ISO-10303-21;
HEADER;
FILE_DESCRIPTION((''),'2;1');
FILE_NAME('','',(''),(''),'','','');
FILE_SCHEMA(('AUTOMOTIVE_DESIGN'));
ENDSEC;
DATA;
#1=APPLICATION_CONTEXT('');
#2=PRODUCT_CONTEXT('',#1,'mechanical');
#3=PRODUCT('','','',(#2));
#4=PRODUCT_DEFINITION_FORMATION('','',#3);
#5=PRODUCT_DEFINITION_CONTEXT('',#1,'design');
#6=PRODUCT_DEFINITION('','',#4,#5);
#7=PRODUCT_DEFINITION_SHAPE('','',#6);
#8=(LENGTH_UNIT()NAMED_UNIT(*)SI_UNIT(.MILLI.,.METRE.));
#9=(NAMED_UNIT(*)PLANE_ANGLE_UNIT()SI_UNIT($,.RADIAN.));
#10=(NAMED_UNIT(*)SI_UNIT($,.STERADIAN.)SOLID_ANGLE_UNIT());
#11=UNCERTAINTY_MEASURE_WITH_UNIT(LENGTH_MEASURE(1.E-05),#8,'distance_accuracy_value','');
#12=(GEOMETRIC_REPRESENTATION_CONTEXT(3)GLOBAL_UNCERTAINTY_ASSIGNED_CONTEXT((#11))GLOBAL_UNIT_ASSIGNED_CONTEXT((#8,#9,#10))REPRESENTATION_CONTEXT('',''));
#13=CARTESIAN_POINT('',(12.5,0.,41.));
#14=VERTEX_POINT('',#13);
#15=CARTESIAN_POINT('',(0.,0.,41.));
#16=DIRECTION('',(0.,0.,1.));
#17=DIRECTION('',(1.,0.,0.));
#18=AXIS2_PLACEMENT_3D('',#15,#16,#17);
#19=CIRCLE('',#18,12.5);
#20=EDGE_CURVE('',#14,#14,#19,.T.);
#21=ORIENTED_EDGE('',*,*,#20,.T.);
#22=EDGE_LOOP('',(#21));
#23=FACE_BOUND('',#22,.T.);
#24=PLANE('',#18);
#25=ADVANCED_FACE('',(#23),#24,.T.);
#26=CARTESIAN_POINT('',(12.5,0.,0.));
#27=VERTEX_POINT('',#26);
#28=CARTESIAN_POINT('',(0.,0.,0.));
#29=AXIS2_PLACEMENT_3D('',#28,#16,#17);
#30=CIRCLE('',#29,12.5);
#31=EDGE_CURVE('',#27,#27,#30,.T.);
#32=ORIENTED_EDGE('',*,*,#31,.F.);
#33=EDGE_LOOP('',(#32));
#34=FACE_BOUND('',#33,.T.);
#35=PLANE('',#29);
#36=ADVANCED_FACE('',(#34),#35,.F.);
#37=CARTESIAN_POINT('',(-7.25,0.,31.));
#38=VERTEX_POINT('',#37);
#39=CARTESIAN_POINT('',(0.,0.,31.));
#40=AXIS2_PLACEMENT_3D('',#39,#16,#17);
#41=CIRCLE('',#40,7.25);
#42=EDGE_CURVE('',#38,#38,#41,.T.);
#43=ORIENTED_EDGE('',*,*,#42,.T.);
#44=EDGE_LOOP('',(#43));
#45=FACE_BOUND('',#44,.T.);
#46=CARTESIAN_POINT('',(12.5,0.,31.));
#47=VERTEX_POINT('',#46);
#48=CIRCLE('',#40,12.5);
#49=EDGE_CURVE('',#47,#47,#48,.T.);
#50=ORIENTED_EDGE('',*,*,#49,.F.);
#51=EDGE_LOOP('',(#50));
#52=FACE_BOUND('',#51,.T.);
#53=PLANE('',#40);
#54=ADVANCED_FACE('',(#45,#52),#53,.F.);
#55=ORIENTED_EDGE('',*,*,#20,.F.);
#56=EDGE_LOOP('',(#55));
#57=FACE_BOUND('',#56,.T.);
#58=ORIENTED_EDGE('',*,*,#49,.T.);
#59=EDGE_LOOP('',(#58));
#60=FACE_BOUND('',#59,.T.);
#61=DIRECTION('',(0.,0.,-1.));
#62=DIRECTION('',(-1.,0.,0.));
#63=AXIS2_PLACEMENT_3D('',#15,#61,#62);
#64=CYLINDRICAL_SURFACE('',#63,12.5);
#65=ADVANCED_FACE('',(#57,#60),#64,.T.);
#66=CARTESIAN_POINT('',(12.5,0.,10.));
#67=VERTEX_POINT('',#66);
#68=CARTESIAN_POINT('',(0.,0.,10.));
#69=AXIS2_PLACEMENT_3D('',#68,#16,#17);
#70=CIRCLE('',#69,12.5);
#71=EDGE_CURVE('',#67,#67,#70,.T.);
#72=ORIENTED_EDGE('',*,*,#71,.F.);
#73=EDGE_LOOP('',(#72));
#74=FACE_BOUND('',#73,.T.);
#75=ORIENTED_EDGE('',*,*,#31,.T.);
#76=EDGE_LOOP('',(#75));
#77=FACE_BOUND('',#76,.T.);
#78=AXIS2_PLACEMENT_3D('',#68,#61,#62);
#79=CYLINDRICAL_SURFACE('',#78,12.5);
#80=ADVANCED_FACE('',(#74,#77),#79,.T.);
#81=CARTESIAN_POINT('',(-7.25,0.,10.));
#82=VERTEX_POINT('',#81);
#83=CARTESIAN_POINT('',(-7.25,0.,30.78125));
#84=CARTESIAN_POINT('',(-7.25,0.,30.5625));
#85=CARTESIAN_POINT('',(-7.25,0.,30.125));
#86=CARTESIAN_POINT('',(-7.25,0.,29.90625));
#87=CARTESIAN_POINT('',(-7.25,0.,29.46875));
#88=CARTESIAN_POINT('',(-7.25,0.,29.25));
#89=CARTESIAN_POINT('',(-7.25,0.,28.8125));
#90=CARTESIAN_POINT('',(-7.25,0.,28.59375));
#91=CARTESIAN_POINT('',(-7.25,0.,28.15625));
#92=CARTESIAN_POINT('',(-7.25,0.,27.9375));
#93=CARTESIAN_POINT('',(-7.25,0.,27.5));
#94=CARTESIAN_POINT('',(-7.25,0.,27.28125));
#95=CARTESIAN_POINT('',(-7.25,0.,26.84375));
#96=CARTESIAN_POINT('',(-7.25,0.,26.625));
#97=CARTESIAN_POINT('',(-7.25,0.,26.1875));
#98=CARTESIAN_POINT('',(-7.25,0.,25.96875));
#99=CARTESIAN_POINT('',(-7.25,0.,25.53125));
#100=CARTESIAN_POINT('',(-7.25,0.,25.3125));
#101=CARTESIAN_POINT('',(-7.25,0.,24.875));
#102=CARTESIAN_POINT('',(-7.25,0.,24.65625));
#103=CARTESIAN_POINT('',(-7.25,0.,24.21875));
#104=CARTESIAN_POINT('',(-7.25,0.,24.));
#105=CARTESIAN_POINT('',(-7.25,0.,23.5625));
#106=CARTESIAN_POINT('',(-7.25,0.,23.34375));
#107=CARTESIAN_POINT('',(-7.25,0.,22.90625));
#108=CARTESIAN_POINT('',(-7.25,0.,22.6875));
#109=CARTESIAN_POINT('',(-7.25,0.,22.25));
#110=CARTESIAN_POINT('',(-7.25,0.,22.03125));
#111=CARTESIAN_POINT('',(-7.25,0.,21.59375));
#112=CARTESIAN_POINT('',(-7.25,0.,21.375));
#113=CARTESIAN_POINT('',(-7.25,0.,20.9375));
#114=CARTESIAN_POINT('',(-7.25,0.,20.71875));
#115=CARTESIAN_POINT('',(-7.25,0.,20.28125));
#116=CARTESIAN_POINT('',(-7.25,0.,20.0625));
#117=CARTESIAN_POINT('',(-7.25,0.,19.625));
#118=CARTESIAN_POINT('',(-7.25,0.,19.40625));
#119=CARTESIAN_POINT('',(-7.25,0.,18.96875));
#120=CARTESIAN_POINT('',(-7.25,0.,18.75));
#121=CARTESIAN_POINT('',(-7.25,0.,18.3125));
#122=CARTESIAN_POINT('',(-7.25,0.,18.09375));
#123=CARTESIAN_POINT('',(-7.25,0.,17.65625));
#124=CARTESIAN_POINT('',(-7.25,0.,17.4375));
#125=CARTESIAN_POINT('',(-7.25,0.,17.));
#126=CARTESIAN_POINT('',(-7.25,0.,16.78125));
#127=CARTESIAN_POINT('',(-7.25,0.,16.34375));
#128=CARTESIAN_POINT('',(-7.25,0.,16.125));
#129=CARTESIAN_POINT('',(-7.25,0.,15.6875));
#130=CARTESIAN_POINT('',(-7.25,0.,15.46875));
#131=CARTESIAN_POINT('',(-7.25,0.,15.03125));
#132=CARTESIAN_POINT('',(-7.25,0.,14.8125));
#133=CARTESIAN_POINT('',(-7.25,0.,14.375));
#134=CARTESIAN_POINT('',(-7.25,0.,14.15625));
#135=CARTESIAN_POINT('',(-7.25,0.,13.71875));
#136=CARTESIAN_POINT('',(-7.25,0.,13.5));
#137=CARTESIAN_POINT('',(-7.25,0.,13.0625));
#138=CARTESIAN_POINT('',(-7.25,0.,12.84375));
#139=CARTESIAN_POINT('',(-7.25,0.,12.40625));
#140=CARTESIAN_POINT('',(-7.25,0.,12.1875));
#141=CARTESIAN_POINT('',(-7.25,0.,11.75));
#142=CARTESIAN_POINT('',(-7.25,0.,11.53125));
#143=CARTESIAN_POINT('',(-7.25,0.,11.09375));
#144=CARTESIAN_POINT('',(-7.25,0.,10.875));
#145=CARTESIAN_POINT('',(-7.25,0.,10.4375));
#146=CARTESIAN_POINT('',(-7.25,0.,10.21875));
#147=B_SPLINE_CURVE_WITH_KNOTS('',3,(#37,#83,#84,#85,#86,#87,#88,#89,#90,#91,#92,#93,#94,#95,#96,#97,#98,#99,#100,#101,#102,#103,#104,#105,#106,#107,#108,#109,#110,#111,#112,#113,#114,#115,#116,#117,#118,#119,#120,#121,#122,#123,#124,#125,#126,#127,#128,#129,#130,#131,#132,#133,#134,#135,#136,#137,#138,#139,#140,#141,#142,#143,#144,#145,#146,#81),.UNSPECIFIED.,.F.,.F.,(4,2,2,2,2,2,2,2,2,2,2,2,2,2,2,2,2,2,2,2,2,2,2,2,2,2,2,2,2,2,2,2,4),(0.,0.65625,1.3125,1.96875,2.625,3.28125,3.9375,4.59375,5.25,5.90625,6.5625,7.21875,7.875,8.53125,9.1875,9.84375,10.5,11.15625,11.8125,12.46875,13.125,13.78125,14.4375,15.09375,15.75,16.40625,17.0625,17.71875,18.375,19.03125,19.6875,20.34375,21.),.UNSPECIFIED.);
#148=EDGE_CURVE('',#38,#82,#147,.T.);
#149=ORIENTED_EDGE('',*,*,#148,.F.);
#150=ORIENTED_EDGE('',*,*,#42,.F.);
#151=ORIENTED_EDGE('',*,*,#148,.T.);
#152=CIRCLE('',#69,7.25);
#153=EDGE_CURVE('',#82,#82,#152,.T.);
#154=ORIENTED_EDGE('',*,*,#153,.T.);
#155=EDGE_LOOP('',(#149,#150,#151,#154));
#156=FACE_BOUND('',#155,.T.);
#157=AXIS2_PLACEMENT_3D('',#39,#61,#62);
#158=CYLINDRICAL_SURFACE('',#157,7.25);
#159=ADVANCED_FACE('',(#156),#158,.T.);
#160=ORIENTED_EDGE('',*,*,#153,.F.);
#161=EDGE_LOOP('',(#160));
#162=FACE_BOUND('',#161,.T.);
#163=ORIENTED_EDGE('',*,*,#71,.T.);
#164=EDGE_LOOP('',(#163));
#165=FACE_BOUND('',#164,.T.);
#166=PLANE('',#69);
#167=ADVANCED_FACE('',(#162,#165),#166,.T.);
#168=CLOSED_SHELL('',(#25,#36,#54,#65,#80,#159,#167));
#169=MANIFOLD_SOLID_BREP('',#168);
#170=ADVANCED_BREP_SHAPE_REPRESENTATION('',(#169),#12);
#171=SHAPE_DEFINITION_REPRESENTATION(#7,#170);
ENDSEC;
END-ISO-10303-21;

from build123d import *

# Parameters (mm, degrees)
SKETCH1_R           = 12.5
BOSS_EXTRUDE1_DEPTH = 10
SKETCH3_R           = 7.25
BOSS_EXTRUDE2_DEPTH = 21
SKETCH4_R           = 12.5
BOSS_EXTRUDE3_DEPTH = 10


with BuildPart() as part:
    # Sketch1 → Boss-Extrude1 (new body)
    with BuildSketch(Plane.XY):
        Circle(SKETCH1_R)
    extrude(amount=BOSS_EXTRUDE1_DEPTH)

    # Sketch3 → Boss-Extrude2 (add)
    with BuildSketch(Plane.XY.offset(10)):
        with Locations(Location((0, 0, 0), (0, 0, 180))):
            Circle(SKETCH3_R)
    extrude(amount=BOSS_EXTRUDE2_DEPTH)

    # Sketch4 → Boss-Extrude3 (add)
    with BuildSketch(Plane.XY.offset(31)):
        Circle(SKETCH4_R)
    extrude(amount=BOSS_EXTRUDE3_DEPTH)


solid = part.part
